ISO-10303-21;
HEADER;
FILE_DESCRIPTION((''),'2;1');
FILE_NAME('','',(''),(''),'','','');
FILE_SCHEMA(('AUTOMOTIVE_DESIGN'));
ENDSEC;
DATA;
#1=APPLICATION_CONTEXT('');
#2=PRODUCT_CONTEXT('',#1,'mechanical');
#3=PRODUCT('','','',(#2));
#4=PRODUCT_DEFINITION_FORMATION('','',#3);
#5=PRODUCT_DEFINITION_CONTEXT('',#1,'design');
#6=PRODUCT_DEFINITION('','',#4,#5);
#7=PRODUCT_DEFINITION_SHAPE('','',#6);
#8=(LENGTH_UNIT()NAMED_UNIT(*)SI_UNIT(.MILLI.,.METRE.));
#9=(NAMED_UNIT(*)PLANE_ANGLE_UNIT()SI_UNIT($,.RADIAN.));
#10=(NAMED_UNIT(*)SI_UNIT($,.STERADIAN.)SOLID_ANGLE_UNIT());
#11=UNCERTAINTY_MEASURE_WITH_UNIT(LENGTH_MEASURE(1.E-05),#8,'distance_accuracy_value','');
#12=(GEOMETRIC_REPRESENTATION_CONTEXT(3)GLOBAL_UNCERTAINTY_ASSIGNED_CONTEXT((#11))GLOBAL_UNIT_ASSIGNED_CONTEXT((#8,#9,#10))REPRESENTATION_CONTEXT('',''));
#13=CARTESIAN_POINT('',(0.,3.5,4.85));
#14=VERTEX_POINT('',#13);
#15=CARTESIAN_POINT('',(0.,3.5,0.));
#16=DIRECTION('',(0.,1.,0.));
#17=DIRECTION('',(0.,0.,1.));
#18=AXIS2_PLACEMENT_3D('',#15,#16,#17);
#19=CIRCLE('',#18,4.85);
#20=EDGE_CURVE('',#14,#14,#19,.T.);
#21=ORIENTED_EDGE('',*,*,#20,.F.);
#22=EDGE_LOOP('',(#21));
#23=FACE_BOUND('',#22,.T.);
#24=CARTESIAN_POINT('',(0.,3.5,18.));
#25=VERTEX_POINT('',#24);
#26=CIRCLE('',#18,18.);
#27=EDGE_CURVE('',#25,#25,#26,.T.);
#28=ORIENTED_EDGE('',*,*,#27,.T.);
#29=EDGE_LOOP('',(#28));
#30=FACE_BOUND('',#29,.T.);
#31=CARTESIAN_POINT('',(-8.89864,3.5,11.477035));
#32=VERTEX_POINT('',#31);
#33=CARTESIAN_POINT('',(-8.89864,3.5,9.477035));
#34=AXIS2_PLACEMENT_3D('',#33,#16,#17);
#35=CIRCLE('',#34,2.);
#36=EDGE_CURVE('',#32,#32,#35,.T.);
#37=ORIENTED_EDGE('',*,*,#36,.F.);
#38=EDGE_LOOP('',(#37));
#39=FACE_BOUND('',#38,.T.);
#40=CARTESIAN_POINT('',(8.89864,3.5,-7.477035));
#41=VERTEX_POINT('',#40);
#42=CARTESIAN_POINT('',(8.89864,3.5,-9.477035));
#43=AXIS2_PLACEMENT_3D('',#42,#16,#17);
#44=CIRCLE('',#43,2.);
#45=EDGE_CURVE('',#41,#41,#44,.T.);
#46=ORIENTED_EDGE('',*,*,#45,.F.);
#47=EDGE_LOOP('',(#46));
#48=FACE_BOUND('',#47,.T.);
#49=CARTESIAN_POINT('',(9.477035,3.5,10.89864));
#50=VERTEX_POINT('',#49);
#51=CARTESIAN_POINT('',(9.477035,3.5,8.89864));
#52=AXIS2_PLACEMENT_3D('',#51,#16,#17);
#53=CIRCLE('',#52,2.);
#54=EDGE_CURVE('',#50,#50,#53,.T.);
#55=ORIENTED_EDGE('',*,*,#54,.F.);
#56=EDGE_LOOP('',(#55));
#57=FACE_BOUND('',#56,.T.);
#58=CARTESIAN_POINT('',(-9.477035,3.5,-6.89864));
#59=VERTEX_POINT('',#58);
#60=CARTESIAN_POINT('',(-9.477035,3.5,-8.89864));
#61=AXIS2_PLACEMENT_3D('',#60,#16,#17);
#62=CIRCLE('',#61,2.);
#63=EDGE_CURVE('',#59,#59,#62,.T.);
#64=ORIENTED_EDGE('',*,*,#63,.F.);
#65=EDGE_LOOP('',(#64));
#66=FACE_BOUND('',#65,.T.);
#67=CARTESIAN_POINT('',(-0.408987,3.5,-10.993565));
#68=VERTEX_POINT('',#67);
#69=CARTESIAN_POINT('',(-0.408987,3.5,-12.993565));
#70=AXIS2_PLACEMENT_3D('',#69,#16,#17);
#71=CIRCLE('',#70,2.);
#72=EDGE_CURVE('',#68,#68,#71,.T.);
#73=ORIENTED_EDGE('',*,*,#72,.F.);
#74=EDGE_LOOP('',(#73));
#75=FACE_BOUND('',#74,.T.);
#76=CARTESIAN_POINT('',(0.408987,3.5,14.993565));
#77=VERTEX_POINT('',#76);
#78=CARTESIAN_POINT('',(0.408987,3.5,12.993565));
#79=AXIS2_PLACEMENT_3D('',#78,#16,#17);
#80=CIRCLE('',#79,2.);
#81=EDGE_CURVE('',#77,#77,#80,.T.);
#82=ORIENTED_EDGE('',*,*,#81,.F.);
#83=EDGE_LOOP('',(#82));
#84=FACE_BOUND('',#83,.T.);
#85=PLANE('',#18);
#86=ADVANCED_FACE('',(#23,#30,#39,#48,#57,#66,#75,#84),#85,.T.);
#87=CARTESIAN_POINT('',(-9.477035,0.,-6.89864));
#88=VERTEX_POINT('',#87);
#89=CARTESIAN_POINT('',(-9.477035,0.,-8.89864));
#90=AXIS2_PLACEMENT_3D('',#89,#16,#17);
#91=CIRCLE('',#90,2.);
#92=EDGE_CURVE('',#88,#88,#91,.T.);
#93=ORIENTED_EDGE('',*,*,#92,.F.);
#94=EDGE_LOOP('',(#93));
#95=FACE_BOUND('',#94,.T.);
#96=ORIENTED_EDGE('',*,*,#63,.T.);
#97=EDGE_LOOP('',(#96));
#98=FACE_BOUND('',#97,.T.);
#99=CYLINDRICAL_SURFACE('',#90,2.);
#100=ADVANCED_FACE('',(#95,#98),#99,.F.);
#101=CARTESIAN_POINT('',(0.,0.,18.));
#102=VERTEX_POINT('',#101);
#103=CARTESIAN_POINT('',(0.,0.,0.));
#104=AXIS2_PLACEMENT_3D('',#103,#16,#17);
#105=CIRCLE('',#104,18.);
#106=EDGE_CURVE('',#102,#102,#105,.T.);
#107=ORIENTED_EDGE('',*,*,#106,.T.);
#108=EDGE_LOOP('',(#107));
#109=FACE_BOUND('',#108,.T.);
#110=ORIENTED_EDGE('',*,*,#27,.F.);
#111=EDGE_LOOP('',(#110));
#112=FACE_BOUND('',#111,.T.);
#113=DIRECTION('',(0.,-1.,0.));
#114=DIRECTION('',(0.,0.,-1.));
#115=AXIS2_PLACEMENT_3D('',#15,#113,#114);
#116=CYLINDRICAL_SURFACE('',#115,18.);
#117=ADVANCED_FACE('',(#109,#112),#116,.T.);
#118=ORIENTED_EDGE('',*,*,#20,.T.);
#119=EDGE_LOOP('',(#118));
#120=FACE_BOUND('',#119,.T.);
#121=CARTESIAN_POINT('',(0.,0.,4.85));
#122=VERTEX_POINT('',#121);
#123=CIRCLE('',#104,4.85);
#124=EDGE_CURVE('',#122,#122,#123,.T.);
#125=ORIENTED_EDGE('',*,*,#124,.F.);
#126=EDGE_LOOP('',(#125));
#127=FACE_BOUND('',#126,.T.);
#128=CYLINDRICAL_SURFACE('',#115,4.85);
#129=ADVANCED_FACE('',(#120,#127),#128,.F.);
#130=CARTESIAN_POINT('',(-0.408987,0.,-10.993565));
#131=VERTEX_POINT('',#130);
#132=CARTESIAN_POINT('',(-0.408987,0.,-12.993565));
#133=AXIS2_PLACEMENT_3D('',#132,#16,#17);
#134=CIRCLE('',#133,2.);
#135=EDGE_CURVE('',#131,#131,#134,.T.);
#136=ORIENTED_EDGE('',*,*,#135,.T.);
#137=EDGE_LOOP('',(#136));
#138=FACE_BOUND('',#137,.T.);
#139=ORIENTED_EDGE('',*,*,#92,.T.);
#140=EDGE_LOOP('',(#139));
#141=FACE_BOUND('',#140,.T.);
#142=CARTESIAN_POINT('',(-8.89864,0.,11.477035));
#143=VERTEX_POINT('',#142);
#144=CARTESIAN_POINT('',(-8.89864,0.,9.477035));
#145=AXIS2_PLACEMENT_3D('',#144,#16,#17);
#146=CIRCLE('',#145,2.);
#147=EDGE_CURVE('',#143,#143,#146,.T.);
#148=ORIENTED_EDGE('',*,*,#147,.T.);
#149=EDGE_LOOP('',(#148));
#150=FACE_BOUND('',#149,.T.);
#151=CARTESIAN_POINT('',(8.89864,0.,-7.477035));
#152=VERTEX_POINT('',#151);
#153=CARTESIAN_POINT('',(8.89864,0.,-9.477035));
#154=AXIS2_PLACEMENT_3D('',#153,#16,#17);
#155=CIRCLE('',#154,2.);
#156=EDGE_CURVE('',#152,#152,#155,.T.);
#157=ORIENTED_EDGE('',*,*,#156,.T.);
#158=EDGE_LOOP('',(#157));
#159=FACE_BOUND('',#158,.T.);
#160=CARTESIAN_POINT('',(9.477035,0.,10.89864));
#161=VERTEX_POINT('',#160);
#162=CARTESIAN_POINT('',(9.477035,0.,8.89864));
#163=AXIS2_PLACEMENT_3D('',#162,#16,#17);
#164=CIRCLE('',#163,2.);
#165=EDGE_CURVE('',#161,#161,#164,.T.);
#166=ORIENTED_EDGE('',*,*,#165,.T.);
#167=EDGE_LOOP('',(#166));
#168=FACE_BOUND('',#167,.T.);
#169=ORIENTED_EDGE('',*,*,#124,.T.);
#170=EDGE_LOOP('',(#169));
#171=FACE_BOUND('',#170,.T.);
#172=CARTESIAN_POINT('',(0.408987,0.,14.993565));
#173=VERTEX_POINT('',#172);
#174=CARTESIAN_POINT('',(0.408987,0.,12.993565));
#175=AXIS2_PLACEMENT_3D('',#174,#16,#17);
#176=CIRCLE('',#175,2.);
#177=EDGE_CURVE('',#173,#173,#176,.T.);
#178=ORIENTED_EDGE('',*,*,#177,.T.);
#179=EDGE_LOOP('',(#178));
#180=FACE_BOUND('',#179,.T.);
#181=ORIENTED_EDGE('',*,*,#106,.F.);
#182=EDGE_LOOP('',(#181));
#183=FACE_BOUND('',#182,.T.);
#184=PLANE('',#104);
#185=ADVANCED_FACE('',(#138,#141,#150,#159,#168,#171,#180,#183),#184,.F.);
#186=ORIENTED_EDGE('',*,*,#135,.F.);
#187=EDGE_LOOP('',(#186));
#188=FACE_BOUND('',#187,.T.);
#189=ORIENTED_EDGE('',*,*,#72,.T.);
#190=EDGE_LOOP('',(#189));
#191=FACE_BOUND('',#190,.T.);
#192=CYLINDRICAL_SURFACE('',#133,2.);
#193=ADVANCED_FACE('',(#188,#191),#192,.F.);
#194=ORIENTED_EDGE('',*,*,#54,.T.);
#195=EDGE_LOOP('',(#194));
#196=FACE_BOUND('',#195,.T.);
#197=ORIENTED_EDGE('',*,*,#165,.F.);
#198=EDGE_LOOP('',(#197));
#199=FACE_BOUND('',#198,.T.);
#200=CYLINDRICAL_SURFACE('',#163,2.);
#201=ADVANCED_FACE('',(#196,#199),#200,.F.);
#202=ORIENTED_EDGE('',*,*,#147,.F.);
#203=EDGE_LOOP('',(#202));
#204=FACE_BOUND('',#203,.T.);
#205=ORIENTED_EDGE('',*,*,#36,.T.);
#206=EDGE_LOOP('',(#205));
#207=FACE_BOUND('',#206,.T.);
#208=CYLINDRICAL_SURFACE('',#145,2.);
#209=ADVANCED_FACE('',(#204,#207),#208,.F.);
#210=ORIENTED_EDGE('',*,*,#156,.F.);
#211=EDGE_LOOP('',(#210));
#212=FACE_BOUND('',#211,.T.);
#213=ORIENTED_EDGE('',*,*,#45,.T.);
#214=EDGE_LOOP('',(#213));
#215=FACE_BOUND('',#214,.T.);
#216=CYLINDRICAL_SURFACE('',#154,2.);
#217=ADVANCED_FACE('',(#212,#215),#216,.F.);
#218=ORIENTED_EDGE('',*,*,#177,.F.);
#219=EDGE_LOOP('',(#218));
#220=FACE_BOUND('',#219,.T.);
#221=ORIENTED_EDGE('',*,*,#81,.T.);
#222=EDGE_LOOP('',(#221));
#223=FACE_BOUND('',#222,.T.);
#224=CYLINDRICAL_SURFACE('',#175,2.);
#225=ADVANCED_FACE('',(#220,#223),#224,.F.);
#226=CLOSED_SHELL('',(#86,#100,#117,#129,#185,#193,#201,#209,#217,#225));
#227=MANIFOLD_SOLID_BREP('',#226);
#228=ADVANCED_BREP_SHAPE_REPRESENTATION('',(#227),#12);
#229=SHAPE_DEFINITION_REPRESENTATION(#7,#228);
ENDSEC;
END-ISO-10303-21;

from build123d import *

# Parameters (mm, degrees)
SKETCH_1_R          = 18
SKETCH_1_R_2        = 4.85
EXTRUDE_1_DEPTH     = 3.5
SKETCH_2_R          = 2
CUT_EXTRUDE_1_DEPTH = 26.695330315


with BuildPart() as part:
    # Эскиз1 → Вытянуть1 (new body)
    with BuildSketch(Plane(origin=(0, 0, 0), x_dir=(1, 0, 0), z_dir=(0, 1, 0))):
        with Locations(Location((0, 0, 0), (0, 0, 270))):
            Circle(SKETCH_1_R)
        with Locations(Location((0, 0, 0), (0, 0, 270))):
            Circle(SKETCH_1_R_2, mode=Mode.SUBTRACT)
    extrude(amount=EXTRUDE_1_DEPTH)

    # Эскиз2 → Вырез-Вытянуть1 (cut, through all)
    with BuildSketch(Plane(origin=(0, 3.5, 0), x_dir=(1, 0, 0), z_dir=(0, 1, 0))):
        with Locations(Location((-0.408987172, 12.993564926, 0), (0, 0, 270))):
            Circle(SKETCH_2_R)
        with Locations(Location((-9.477035474, 8.898640269, 0), (0, 0, 270))):
            Circle(SKETCH_2_R)
        with Locations(Location((8.898640269, 9.477035474, 0), (0, 0, 270))):
            Circle(SKETCH_2_R)
        with Locations(Location((9.477035474, -8.898640269, 0), (0, 0, 270))):
            Circle(SKETCH_2_R)
        with Locations(Location((0.408987172, -12.993564926, 0), (0, 0, 270))):
            Circle(SKETCH_2_R)
        with Locations(Location((-8.898640269, -9.477035474, 0), (0, 0, 270))):
            Circle(SKETCH_2_R)
    extrude(amount=-CUT_EXTRUDE_1_DEPTH, mode=Mode.SUBTRACT)


solid = part.part
